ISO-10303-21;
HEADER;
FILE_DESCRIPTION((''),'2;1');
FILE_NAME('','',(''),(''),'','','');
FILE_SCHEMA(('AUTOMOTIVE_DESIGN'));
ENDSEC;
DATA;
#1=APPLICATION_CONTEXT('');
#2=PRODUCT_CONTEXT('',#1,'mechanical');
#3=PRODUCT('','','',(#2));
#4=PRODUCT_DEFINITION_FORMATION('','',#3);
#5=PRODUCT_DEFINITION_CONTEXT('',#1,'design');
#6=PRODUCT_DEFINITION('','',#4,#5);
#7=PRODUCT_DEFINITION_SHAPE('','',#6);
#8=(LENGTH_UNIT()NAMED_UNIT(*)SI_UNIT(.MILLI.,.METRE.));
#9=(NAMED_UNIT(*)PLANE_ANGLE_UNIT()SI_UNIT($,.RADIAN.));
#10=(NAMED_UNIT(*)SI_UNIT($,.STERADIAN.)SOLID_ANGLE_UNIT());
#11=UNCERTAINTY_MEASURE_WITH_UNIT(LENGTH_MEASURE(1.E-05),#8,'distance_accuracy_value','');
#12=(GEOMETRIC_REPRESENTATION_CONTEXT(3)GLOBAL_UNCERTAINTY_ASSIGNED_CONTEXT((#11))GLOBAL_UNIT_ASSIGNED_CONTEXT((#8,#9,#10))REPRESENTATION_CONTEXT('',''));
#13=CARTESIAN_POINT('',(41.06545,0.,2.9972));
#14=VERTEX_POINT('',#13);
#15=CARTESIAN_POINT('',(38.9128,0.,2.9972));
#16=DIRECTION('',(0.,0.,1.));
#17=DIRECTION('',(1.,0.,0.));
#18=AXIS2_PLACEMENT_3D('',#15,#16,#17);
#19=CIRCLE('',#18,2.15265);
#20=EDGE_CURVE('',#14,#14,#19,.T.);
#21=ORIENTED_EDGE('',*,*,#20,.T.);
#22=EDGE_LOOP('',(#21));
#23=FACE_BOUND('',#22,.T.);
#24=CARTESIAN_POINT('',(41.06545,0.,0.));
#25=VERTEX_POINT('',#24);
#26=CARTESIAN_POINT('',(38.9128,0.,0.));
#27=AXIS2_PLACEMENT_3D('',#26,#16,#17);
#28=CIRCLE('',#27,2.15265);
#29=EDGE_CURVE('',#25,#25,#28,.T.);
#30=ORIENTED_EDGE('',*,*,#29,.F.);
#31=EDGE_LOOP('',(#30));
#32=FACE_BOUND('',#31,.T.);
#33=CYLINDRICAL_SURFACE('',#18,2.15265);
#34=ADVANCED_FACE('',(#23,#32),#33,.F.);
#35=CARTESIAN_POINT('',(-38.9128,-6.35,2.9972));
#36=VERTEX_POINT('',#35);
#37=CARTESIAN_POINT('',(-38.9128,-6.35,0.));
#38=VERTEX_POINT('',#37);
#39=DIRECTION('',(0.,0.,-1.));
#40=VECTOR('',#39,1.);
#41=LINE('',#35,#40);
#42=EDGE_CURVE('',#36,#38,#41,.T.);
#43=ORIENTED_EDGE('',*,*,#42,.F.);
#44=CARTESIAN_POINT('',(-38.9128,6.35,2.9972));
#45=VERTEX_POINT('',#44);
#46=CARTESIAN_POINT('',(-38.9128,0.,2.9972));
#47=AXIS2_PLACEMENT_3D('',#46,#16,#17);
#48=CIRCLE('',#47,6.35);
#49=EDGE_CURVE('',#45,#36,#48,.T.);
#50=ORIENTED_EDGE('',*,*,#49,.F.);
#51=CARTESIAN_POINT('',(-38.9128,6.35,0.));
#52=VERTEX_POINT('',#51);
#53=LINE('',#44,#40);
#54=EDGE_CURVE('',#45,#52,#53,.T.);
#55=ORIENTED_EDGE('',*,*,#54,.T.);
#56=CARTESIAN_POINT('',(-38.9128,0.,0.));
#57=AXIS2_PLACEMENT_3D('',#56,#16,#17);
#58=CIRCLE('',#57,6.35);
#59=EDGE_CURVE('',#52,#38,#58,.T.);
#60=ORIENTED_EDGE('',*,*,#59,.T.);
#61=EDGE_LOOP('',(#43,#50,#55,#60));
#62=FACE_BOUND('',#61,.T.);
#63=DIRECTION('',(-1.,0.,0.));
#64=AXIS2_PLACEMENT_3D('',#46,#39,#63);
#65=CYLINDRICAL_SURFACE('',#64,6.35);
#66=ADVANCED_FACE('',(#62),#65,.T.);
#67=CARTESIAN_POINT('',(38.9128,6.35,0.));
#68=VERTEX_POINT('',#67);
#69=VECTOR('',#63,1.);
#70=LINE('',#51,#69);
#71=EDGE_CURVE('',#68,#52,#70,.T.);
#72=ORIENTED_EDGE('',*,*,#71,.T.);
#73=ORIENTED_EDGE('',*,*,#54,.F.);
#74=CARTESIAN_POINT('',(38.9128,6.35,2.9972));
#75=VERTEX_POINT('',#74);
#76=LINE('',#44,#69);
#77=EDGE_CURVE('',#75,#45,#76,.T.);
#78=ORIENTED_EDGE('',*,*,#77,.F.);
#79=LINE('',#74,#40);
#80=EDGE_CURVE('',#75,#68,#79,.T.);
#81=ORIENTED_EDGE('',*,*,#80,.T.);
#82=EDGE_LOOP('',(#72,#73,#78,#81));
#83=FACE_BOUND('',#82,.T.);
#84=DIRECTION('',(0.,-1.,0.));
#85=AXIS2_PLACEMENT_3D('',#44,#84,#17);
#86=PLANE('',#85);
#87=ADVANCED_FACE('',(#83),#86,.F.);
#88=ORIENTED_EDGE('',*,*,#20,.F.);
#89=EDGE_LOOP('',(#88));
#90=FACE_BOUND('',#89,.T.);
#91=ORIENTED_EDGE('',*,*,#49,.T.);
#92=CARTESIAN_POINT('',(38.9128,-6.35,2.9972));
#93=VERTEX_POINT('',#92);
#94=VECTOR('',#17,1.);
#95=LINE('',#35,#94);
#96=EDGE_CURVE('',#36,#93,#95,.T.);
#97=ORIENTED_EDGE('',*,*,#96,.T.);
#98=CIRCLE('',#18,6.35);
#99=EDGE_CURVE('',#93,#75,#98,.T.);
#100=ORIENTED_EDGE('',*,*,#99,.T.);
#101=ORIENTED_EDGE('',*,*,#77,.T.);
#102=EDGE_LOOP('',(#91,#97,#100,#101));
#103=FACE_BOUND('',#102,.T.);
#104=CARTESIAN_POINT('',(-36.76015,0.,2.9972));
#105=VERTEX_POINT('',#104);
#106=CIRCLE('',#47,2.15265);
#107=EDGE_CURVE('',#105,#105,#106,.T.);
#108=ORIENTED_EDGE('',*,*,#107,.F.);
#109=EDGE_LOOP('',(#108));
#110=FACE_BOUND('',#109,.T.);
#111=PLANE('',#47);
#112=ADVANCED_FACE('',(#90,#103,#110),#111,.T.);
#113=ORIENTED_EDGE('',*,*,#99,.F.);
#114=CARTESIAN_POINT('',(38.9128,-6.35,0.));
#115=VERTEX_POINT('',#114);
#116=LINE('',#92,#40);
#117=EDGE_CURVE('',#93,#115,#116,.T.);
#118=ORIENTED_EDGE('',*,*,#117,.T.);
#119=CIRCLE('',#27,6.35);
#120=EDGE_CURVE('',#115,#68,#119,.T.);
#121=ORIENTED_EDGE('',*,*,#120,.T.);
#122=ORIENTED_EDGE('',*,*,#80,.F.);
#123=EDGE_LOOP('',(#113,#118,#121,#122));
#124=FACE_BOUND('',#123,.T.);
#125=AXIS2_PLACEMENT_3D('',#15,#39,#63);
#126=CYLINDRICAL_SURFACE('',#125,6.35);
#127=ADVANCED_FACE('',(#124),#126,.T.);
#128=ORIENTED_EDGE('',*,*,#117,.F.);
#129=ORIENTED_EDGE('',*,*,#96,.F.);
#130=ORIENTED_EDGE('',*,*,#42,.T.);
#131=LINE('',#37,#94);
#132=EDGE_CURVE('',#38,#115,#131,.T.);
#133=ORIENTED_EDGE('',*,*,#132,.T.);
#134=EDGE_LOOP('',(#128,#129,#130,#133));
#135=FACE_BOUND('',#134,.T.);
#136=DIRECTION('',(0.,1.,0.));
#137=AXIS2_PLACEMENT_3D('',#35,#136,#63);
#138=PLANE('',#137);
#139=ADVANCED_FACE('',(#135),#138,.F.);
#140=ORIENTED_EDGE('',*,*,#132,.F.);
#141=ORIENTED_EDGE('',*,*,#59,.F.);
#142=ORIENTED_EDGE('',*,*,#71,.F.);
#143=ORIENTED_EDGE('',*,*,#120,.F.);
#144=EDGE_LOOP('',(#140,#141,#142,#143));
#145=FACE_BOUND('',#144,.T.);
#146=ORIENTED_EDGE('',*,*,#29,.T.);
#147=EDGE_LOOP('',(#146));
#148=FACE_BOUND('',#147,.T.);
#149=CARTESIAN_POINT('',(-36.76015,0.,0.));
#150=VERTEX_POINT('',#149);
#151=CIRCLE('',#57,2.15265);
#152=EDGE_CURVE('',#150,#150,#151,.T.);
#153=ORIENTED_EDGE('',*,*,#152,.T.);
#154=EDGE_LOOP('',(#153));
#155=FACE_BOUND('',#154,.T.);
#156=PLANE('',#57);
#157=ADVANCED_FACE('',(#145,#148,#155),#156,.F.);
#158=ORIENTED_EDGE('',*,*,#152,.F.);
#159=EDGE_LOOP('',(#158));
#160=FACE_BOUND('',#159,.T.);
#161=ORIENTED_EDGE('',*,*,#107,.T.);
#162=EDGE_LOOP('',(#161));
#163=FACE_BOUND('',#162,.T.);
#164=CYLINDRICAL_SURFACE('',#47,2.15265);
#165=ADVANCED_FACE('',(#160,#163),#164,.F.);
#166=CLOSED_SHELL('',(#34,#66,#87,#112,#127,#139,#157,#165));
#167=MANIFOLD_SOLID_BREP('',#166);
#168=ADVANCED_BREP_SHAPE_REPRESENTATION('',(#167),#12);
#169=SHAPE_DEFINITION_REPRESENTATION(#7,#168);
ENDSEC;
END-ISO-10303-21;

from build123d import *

# Parameters (mm, degrees)
BOSS_EXTRUDE1_DEPTH       = 2.9972
F_8_CLEARANCE_HOLE1_D     = 4.3053
F_8_CLEARANCE_HOLE1_DEPTH = 6.351016


with BuildPart() as part:
    # Sketch1 → Boss-Extrude1 (new body)
    with BuildSketch(Plane.XY):
        with BuildLine():
            Line((-38.9128, 6.35), (38.9128, 6.35))
            ThreePointArc((38.9128, 6.35), (45.2628, 0), (38.9128, -6.35))
            Line((38.9128, -6.35), (-38.9128, -6.35))
            ThreePointArc((-38.9128, -6.35), (-45.2628, 0), (-38.9128, 6.35))
        make_face()
    extrude(amount=BOSS_EXTRUDE1_DEPTH)

    # #8 Clearance Hole1
    with Locations(Plane.XY.offset(2.9972)):
        with Locations((-38.9128, 0), (38.9128, 0)):
            Hole(F_8_CLEARANCE_HOLE1_D / 2, depth=F_8_CLEARANCE_HOLE1_DEPTH)


solid = part.part
